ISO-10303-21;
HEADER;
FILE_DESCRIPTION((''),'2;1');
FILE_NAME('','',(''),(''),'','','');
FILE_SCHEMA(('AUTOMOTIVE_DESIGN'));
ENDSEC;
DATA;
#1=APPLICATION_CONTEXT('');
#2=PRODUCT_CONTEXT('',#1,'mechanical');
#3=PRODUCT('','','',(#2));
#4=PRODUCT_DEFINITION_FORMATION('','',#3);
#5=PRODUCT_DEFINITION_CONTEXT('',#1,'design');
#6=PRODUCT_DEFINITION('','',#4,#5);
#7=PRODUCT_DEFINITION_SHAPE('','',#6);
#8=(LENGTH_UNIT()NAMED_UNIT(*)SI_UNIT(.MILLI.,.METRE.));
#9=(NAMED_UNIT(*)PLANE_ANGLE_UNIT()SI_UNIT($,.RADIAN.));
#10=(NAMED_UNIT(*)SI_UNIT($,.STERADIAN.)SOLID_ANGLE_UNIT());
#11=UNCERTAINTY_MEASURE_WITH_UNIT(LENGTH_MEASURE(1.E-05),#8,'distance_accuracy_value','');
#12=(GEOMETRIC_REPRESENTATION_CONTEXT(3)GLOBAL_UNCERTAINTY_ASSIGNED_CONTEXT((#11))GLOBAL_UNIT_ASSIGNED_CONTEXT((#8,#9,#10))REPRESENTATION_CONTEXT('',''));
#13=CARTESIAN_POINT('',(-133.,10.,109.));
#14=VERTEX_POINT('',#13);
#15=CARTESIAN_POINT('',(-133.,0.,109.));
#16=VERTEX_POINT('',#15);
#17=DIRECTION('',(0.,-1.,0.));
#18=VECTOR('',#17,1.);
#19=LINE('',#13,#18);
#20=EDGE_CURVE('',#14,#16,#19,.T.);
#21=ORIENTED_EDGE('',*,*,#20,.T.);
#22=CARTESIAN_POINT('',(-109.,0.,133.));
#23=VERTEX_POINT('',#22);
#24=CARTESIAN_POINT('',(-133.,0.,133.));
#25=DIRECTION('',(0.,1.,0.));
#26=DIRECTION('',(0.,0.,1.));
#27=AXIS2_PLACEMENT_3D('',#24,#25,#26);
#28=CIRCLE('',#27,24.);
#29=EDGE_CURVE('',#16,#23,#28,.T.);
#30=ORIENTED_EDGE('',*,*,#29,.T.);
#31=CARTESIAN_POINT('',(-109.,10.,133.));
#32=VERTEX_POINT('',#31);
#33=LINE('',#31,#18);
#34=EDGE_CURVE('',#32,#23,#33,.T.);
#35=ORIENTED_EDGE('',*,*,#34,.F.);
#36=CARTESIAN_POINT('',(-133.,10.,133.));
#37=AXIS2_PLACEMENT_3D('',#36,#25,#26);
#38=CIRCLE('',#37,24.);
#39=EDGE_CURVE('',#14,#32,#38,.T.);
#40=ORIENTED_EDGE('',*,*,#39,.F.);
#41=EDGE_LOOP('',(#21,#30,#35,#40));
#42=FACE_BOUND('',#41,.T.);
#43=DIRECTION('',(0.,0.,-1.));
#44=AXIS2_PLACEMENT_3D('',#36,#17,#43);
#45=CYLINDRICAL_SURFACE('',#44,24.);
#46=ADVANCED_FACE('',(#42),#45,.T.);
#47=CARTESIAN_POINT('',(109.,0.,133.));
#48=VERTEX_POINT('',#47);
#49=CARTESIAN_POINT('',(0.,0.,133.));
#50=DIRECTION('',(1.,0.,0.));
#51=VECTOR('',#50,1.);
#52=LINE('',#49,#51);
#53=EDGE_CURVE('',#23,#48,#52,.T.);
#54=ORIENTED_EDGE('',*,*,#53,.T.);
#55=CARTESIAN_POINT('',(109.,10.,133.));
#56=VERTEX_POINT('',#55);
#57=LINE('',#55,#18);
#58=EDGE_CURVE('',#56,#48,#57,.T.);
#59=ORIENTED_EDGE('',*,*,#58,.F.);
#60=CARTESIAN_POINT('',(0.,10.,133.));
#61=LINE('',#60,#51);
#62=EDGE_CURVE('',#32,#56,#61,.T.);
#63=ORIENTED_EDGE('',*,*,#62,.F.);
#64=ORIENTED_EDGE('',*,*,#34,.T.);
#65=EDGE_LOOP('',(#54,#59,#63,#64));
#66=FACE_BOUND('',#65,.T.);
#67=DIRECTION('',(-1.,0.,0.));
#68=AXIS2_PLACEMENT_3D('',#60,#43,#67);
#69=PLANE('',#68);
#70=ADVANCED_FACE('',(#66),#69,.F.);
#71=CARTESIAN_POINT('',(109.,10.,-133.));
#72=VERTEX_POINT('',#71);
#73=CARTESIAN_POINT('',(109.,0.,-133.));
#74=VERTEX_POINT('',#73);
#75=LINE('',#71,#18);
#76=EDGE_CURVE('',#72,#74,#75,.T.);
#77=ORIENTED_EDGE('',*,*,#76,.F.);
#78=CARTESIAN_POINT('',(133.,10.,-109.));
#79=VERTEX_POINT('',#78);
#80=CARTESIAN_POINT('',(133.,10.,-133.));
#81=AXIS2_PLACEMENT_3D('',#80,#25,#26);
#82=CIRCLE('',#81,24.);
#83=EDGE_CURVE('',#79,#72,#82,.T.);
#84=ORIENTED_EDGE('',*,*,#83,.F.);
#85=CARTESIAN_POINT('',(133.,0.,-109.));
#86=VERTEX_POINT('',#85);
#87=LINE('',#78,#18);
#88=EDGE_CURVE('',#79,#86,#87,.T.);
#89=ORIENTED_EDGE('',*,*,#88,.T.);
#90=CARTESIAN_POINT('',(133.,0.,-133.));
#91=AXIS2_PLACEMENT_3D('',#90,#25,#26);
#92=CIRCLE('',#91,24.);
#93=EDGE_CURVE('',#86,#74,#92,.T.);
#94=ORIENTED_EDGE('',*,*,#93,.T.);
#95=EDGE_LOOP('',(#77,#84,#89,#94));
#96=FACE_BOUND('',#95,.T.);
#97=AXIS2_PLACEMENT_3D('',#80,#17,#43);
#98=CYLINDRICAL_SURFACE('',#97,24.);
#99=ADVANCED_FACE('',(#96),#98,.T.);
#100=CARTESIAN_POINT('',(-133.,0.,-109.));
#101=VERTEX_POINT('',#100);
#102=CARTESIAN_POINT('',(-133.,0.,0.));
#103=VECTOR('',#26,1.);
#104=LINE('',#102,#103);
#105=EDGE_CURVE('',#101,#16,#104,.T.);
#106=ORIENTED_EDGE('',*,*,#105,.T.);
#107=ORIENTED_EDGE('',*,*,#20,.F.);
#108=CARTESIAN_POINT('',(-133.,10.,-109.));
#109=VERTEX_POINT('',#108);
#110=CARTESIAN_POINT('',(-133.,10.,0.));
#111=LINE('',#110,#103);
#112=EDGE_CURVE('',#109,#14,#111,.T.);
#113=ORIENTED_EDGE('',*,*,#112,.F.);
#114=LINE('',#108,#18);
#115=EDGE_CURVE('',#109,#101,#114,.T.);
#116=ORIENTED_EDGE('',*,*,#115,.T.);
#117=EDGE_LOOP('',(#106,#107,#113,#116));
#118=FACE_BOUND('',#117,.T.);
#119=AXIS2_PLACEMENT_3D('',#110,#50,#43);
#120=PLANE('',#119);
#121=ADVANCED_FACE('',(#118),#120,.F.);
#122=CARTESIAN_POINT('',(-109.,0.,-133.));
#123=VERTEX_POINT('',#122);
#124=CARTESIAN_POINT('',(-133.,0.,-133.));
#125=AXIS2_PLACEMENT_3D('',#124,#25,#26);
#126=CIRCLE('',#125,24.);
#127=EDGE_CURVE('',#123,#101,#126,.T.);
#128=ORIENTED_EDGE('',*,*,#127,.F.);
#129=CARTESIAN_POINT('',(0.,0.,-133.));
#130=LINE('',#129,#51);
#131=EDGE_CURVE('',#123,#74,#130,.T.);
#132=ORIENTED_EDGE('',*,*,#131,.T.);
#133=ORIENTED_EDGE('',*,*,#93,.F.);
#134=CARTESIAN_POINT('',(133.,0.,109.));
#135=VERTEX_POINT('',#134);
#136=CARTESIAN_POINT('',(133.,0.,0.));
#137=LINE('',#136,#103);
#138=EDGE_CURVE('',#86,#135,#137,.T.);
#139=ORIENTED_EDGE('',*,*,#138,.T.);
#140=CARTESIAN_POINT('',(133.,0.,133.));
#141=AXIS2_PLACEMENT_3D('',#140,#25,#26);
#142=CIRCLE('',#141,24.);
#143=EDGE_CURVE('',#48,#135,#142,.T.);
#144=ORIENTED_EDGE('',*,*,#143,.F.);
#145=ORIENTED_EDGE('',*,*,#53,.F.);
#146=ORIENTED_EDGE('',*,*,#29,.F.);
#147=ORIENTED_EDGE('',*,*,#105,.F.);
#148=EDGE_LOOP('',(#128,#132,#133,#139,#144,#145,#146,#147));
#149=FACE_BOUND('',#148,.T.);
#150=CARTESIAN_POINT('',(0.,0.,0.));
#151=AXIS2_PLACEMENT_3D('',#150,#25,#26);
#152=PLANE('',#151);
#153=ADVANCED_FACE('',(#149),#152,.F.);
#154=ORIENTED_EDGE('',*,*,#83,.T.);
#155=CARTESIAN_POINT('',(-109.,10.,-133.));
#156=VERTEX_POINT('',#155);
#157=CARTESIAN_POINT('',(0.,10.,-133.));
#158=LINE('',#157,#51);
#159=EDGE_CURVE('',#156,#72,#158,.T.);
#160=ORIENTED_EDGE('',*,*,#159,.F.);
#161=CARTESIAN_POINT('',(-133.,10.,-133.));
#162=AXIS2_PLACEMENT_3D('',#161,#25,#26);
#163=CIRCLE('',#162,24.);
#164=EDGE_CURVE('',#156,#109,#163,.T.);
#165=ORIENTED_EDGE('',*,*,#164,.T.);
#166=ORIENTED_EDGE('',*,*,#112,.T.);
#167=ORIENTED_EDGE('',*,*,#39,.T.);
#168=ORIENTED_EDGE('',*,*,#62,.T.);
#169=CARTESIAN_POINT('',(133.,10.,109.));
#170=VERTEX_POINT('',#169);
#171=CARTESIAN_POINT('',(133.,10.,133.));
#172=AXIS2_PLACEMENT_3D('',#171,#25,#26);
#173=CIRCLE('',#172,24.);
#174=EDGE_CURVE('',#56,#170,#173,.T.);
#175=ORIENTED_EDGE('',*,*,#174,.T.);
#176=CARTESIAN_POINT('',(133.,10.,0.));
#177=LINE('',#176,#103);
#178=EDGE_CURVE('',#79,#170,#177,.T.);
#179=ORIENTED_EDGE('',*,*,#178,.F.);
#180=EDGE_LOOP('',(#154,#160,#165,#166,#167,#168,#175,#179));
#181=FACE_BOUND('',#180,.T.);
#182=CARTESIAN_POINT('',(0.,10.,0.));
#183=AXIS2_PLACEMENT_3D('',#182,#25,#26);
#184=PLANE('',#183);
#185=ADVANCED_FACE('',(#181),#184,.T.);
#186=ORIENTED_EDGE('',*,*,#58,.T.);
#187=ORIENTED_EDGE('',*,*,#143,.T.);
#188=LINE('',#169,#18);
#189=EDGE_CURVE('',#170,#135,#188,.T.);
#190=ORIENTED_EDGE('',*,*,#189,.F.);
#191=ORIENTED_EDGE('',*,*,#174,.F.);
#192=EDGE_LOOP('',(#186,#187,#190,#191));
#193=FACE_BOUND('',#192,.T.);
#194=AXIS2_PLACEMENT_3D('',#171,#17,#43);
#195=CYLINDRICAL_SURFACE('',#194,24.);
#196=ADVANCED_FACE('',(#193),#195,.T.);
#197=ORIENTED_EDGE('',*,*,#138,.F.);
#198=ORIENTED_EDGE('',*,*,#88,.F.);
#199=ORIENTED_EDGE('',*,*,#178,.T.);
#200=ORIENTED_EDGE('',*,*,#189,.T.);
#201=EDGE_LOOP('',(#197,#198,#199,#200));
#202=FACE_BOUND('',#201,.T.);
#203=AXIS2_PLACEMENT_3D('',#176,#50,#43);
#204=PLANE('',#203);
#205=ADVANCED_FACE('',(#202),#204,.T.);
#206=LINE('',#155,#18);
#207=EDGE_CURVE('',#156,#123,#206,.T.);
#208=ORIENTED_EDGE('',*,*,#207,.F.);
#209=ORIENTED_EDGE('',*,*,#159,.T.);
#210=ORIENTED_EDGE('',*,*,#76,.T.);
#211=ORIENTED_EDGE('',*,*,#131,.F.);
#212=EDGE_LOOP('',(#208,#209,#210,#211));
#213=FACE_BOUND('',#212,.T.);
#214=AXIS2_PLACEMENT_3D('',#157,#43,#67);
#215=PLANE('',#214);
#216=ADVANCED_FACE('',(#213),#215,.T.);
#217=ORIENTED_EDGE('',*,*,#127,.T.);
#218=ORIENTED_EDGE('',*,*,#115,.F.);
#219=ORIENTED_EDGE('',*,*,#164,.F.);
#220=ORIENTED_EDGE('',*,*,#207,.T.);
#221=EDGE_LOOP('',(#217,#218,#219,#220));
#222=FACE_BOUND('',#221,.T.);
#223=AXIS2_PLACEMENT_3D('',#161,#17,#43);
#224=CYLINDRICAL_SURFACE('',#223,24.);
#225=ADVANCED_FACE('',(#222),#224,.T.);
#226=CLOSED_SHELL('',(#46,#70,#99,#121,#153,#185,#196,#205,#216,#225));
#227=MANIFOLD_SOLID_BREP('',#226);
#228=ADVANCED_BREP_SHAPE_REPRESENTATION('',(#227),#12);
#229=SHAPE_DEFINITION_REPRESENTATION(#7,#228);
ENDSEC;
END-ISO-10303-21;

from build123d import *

# Parameters (mm, degrees)
SKETCH_1_R      = 24
SKETCH_1_W      = 266
SKETCH_1_H      = 266
EXTRUDE_1_DEPTH = 10


with BuildPart() as part:
    # 草图1 → 凸台-拉伸1 (new body)
    with BuildSketch(Plane(origin=(0, 0, 0), x_dir=(1, 0, 0), z_dir=(0, 1, 0))):
        with BuildLine():
            Line((-133, 109), (-133, 133))
            Line((-133, 133), (-109, 133))
            ThreePointArc((-109, 133), (-149.970562748, 149.970562748), (-133, 109))
        make_face()
        with BuildLine():
            Line((-109, 133), (-133, 133))
            Line((-133, 133), (-133, 109))
            ThreePointArc((-133, 109), (-116.029437252, 116.029437252), (-109, 133))
        make_face()
        with Locations((-133, -133)):
            Circle(SKETCH_1_R)
        with Locations((133, -133)):
            Circle(SKETCH_1_R)
        with Locations((133, 133)):
            Circle(SKETCH_1_R)
        with Locations((-133, 133)):
            Circle(SKETCH_1_R)
        Rectangle(SKETCH_1_W, SKETCH_1_H)
        with BuildLine():
            ThreePointArc((157, 133), (133, 157), (109, 133))
            Line((109, 133), (133, 133))
            Line((133, 133), (133, 109))
            ThreePointArc((133, 109), (149.970562748, 116.029437252), (157, 133))
        make_face()
        with BuildLine():
            Line((133, 133), (109, 133))
            ThreePointArc((109, 133), (116.029437252, 116.029437252), (133, 109))
            Line((133, 109), (133, 133))
        make_face()
        with BuildLine():
            ThreePointArc((157, -133), (149.970562748, -116.029437252), (133, -109))
            Line((133, -109), (133, -133))
            Line((133, -133), (109, -133))
            ThreePointArc((109, -133), (133, -157), (157, -133))
        make_face()
        with BuildLine():
            Line((133, -133), (133, -109))
            ThreePointArc((133, -109), (116.029437252, -116.029437252), (109, -133))
            Line((109, -133), (133, -133))
        make_face()
        with BuildLine():
            ThreePointArc((-109, -133), (-116.029437252, -116.029437252), (-133, -109))
            Line((-133, -109), (-133, -133))
            Line((-133, -133), (-109, -133))
        make_face()
        with BuildLine():
            Line((-133, -133), (-133, -109))
            ThreePointArc((-133, -109), (-149.970562748, -149.970562748), (-109, -133))
            Line((-109, -133), (-133, -133))
        make_face()
    extrude(amount=EXTRUDE_1_DEPTH)


solid = part.part
